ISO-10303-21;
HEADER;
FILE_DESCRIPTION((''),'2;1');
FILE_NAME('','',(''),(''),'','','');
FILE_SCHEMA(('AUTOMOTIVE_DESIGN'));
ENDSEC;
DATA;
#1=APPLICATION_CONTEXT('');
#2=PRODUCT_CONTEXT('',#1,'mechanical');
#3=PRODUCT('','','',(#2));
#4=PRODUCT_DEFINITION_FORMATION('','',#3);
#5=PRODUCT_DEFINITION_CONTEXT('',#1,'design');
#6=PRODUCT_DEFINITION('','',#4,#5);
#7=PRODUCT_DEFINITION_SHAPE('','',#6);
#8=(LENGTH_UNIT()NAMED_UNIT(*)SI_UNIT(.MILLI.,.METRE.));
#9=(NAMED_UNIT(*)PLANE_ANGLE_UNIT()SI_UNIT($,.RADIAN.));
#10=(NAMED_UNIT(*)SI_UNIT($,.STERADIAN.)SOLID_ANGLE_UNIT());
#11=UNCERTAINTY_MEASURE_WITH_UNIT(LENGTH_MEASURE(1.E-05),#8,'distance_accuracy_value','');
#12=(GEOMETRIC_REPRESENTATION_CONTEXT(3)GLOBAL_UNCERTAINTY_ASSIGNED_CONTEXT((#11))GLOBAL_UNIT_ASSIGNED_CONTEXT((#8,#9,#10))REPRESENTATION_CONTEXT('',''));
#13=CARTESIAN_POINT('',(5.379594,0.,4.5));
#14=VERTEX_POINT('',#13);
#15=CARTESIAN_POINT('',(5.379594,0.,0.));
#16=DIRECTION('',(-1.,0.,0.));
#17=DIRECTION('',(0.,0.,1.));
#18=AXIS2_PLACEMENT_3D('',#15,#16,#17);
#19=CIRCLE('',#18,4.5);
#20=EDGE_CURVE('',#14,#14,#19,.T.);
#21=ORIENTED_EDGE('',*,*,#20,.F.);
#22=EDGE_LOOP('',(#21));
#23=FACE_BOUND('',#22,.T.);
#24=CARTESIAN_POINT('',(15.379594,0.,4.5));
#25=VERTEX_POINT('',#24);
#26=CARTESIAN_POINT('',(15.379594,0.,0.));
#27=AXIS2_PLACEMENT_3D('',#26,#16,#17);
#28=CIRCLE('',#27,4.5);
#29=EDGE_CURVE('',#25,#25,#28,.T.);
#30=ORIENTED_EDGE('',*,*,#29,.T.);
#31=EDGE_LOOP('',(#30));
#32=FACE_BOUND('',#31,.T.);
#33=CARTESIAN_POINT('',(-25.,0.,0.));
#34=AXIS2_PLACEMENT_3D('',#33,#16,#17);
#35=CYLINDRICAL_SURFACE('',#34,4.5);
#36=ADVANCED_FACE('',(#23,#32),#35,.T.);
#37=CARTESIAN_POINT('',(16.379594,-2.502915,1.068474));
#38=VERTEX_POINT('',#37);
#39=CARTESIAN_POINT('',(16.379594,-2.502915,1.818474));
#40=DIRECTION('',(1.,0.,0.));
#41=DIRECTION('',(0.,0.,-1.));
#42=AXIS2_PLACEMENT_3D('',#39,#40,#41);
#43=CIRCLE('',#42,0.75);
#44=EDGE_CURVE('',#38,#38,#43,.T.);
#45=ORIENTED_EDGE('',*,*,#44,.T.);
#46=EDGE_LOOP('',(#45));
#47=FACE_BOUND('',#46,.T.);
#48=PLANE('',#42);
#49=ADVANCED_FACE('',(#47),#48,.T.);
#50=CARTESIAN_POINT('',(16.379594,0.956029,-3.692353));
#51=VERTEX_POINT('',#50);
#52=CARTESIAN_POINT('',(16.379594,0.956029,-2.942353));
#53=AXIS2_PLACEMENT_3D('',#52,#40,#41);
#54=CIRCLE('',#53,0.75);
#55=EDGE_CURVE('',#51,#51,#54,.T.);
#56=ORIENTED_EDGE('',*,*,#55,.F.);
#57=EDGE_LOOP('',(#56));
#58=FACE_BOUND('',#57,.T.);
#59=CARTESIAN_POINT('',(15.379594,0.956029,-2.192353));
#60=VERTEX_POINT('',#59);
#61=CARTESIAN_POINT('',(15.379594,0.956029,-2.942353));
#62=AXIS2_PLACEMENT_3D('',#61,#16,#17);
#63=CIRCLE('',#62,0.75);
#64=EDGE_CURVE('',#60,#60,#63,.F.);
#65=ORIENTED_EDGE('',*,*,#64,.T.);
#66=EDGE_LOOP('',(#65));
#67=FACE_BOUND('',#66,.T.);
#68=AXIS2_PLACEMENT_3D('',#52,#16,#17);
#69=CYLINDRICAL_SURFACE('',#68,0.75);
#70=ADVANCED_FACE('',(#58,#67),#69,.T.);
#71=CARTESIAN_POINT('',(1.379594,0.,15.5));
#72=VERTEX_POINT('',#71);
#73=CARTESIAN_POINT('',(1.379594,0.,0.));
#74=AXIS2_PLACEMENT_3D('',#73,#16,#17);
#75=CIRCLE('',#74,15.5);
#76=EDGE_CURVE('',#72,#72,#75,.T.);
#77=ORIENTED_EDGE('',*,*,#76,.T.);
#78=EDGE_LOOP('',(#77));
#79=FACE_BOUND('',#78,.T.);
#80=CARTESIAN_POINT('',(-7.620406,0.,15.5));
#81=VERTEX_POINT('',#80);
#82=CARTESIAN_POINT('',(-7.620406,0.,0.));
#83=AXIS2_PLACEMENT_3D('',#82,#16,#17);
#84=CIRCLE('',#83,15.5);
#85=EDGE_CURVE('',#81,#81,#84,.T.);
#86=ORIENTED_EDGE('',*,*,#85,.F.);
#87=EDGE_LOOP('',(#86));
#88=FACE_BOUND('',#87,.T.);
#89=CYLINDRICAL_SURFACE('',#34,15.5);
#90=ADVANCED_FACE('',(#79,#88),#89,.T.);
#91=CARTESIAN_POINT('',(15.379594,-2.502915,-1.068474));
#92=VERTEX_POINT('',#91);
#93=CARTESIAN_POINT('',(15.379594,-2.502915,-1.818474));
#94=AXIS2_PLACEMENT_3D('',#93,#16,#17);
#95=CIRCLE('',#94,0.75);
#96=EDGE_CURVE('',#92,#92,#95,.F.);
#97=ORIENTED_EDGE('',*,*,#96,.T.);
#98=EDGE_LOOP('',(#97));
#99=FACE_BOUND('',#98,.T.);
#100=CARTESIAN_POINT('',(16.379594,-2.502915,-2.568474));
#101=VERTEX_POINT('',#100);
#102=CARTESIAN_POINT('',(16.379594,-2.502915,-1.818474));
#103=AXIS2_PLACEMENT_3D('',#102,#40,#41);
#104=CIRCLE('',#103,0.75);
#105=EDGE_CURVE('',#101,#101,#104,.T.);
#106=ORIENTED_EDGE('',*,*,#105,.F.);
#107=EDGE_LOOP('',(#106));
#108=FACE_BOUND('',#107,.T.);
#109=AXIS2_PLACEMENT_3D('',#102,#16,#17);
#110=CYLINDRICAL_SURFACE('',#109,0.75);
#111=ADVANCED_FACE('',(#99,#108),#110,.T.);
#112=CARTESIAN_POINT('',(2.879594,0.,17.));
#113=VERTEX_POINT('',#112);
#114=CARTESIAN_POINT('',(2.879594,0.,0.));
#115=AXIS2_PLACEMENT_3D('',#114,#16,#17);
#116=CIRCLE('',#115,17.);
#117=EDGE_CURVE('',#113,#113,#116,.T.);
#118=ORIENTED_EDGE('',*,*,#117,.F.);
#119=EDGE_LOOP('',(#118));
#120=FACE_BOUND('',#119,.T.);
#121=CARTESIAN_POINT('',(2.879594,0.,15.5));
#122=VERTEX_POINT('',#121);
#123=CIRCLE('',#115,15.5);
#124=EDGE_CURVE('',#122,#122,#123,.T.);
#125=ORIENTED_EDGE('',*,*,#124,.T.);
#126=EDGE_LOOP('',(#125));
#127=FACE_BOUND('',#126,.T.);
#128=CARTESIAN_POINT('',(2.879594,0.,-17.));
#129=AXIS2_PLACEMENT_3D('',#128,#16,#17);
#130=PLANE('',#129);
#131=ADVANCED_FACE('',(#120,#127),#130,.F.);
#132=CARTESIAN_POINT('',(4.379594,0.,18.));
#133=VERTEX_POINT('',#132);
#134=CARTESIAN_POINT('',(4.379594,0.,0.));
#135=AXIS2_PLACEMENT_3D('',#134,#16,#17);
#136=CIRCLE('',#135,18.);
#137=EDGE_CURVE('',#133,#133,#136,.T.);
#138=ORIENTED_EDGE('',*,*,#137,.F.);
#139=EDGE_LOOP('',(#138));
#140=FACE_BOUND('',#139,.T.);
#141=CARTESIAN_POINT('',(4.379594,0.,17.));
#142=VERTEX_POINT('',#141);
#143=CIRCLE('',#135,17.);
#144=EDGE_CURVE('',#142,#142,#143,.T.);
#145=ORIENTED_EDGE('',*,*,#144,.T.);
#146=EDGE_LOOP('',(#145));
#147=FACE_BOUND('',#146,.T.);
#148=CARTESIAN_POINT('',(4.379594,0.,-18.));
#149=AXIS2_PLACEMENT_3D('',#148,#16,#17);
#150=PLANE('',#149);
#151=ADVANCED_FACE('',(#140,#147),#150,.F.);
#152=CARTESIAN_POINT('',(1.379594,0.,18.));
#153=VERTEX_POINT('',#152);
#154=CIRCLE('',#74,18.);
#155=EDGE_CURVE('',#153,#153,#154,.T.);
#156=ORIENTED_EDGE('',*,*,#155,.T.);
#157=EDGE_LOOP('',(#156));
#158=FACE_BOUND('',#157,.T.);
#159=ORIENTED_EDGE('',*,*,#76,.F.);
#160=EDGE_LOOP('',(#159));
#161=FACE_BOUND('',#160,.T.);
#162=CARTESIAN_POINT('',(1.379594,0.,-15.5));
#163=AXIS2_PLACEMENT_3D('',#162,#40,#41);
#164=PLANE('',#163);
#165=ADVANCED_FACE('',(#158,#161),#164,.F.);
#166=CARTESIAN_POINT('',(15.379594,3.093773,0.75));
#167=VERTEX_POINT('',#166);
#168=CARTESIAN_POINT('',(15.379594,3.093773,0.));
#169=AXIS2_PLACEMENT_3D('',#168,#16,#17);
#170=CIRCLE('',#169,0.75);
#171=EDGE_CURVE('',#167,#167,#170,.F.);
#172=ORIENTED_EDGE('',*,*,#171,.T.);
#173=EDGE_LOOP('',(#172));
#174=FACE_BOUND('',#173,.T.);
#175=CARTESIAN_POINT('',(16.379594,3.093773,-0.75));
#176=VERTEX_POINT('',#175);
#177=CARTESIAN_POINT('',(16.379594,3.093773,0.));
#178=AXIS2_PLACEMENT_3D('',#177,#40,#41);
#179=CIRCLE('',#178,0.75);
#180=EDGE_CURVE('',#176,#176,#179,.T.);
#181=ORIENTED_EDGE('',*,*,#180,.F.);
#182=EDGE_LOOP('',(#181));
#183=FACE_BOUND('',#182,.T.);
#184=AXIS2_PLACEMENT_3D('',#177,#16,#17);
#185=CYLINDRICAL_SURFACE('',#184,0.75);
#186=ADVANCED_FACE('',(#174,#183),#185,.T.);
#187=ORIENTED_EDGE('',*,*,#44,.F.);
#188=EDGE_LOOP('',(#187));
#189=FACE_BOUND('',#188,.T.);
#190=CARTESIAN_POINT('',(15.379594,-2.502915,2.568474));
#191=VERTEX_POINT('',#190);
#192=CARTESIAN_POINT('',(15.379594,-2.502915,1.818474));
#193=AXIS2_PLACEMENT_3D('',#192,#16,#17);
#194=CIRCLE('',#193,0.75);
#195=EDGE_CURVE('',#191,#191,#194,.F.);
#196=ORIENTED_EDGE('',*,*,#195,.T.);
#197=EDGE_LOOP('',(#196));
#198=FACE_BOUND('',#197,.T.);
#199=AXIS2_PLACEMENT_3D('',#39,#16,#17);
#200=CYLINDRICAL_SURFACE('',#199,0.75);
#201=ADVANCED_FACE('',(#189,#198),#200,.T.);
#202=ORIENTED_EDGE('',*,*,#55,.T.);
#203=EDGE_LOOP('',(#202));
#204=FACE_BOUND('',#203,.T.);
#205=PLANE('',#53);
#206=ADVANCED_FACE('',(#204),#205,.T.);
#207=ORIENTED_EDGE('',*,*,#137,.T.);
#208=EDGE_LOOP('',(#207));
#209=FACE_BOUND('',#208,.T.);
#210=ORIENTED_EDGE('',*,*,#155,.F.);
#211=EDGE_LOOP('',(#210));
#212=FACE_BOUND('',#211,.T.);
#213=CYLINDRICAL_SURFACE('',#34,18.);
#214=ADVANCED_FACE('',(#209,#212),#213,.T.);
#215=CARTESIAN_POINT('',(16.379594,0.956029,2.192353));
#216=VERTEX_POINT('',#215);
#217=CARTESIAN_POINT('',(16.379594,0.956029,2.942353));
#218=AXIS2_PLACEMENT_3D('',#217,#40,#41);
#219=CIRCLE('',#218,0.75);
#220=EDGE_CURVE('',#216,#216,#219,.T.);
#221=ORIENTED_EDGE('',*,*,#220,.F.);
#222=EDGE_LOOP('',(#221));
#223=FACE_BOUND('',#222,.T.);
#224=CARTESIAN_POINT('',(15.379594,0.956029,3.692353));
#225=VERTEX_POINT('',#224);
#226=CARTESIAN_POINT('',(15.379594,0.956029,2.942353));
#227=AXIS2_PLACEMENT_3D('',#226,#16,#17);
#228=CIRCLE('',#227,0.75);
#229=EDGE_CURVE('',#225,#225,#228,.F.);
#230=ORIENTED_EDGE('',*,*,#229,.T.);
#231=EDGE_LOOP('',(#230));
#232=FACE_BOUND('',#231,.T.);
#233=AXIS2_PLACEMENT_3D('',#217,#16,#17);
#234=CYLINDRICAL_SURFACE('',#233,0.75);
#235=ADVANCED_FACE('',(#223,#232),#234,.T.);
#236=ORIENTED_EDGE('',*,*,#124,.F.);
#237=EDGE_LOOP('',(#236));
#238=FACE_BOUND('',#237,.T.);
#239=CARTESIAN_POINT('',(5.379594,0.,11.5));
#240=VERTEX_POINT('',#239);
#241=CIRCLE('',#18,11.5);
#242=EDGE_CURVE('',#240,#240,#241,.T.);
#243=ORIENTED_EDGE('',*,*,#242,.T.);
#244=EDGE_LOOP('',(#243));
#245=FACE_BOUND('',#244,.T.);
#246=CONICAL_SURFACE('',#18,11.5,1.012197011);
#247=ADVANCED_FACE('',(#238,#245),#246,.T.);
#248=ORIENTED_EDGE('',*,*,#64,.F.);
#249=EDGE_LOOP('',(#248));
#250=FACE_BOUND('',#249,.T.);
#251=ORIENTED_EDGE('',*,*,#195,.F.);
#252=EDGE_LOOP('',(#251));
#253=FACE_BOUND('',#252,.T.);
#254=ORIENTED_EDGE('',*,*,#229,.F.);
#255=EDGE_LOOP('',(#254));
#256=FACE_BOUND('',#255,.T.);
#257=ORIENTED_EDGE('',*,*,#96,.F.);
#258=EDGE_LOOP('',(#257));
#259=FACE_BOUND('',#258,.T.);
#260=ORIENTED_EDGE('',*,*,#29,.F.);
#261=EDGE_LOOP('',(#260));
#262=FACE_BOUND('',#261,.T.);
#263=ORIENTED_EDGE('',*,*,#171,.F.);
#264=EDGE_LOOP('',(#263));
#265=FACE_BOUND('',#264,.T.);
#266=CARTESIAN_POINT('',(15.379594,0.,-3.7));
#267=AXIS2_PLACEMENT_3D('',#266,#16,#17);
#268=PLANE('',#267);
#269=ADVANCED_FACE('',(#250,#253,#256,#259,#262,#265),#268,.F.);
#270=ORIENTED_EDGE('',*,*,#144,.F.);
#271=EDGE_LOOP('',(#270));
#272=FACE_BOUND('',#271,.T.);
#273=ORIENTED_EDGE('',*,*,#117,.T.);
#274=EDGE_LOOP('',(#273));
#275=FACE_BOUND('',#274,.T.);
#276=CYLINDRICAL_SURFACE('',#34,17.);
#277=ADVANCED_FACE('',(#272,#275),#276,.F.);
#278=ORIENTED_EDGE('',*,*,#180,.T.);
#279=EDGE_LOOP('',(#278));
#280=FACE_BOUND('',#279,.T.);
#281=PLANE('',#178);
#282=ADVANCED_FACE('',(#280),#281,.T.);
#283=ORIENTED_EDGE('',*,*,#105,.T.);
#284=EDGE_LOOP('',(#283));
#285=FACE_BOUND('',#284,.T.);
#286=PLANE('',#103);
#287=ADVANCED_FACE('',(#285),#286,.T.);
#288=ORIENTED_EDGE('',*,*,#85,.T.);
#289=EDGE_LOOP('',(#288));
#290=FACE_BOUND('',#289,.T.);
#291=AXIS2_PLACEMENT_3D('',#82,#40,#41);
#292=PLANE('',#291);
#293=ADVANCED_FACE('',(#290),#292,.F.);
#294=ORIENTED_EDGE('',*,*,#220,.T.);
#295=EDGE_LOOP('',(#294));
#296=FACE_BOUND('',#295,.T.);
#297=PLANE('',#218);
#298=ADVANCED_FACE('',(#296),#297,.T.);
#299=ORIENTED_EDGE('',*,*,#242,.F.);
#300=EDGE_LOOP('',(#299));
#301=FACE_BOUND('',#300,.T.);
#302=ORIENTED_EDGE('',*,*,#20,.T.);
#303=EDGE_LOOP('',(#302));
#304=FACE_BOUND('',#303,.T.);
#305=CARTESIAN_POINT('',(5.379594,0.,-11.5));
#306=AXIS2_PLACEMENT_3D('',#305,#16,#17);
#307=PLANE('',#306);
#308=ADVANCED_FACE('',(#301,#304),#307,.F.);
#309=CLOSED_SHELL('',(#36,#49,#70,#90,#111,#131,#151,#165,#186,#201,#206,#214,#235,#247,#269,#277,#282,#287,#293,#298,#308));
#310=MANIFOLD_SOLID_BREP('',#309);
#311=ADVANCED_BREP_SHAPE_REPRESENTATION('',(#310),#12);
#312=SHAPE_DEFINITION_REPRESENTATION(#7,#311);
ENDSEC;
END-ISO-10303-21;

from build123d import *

# Parameters (mm, degrees)
SKETCH4_R           = 0.75
BOSS_EXTRUDE2_DEPTH = 1


with BuildPart() as part:
    # Sketch1 → Revolve1 (revolve)
    with BuildSketch(Plane(origin=(0, 0, 0), x_dir=(1, 0, 0), z_dir=(0, 1, 0))):
        Polygon((-7.620406457, 0), (-7.620406457, 15.5), (1.379593543, 15.5), (1.379593543, 18), (3.379593543, 18), (4.379593543, 18), (4.379593543, 17), (3.379593543, 17), (2.879593543, 17), (2.879593543, 15.5), (5.379593543, 11.5), (5.379593543, 4.5), (15.379593543, 4.5), (15.379593543, 3.7), (15.379593543, 0), (14.579593543, 0), (5.379593543, 0), align=None)
    revolve(axis=Axis((-25, 0, 0), (1, 0, 0)))

    # Sketch4 → Boss-Extrude2 (add)
    with BuildSketch(Plane(origin=(15.379593543, 0, 0), x_dir=(0, 0, -1), z_dir=(1, 0, 0))):
        with Locations((0, 3.093773222)):
            Circle(SKETCH4_R)
        with Locations((2.942353182, 0.956028502)):
            Circle(SKETCH4_R)
        with Locations((1.818474274, -2.502915113)):
            Circle(SKETCH4_R)
        with Locations((-1.818474274, -2.502915113)):
            Circle(SKETCH4_R)
        with Locations((-2.942353182, 0.956028502)):
            Circle(SKETCH4_R)
    extrude(amount=BOSS_EXTRUDE2_DEPTH)


solid = part.part
